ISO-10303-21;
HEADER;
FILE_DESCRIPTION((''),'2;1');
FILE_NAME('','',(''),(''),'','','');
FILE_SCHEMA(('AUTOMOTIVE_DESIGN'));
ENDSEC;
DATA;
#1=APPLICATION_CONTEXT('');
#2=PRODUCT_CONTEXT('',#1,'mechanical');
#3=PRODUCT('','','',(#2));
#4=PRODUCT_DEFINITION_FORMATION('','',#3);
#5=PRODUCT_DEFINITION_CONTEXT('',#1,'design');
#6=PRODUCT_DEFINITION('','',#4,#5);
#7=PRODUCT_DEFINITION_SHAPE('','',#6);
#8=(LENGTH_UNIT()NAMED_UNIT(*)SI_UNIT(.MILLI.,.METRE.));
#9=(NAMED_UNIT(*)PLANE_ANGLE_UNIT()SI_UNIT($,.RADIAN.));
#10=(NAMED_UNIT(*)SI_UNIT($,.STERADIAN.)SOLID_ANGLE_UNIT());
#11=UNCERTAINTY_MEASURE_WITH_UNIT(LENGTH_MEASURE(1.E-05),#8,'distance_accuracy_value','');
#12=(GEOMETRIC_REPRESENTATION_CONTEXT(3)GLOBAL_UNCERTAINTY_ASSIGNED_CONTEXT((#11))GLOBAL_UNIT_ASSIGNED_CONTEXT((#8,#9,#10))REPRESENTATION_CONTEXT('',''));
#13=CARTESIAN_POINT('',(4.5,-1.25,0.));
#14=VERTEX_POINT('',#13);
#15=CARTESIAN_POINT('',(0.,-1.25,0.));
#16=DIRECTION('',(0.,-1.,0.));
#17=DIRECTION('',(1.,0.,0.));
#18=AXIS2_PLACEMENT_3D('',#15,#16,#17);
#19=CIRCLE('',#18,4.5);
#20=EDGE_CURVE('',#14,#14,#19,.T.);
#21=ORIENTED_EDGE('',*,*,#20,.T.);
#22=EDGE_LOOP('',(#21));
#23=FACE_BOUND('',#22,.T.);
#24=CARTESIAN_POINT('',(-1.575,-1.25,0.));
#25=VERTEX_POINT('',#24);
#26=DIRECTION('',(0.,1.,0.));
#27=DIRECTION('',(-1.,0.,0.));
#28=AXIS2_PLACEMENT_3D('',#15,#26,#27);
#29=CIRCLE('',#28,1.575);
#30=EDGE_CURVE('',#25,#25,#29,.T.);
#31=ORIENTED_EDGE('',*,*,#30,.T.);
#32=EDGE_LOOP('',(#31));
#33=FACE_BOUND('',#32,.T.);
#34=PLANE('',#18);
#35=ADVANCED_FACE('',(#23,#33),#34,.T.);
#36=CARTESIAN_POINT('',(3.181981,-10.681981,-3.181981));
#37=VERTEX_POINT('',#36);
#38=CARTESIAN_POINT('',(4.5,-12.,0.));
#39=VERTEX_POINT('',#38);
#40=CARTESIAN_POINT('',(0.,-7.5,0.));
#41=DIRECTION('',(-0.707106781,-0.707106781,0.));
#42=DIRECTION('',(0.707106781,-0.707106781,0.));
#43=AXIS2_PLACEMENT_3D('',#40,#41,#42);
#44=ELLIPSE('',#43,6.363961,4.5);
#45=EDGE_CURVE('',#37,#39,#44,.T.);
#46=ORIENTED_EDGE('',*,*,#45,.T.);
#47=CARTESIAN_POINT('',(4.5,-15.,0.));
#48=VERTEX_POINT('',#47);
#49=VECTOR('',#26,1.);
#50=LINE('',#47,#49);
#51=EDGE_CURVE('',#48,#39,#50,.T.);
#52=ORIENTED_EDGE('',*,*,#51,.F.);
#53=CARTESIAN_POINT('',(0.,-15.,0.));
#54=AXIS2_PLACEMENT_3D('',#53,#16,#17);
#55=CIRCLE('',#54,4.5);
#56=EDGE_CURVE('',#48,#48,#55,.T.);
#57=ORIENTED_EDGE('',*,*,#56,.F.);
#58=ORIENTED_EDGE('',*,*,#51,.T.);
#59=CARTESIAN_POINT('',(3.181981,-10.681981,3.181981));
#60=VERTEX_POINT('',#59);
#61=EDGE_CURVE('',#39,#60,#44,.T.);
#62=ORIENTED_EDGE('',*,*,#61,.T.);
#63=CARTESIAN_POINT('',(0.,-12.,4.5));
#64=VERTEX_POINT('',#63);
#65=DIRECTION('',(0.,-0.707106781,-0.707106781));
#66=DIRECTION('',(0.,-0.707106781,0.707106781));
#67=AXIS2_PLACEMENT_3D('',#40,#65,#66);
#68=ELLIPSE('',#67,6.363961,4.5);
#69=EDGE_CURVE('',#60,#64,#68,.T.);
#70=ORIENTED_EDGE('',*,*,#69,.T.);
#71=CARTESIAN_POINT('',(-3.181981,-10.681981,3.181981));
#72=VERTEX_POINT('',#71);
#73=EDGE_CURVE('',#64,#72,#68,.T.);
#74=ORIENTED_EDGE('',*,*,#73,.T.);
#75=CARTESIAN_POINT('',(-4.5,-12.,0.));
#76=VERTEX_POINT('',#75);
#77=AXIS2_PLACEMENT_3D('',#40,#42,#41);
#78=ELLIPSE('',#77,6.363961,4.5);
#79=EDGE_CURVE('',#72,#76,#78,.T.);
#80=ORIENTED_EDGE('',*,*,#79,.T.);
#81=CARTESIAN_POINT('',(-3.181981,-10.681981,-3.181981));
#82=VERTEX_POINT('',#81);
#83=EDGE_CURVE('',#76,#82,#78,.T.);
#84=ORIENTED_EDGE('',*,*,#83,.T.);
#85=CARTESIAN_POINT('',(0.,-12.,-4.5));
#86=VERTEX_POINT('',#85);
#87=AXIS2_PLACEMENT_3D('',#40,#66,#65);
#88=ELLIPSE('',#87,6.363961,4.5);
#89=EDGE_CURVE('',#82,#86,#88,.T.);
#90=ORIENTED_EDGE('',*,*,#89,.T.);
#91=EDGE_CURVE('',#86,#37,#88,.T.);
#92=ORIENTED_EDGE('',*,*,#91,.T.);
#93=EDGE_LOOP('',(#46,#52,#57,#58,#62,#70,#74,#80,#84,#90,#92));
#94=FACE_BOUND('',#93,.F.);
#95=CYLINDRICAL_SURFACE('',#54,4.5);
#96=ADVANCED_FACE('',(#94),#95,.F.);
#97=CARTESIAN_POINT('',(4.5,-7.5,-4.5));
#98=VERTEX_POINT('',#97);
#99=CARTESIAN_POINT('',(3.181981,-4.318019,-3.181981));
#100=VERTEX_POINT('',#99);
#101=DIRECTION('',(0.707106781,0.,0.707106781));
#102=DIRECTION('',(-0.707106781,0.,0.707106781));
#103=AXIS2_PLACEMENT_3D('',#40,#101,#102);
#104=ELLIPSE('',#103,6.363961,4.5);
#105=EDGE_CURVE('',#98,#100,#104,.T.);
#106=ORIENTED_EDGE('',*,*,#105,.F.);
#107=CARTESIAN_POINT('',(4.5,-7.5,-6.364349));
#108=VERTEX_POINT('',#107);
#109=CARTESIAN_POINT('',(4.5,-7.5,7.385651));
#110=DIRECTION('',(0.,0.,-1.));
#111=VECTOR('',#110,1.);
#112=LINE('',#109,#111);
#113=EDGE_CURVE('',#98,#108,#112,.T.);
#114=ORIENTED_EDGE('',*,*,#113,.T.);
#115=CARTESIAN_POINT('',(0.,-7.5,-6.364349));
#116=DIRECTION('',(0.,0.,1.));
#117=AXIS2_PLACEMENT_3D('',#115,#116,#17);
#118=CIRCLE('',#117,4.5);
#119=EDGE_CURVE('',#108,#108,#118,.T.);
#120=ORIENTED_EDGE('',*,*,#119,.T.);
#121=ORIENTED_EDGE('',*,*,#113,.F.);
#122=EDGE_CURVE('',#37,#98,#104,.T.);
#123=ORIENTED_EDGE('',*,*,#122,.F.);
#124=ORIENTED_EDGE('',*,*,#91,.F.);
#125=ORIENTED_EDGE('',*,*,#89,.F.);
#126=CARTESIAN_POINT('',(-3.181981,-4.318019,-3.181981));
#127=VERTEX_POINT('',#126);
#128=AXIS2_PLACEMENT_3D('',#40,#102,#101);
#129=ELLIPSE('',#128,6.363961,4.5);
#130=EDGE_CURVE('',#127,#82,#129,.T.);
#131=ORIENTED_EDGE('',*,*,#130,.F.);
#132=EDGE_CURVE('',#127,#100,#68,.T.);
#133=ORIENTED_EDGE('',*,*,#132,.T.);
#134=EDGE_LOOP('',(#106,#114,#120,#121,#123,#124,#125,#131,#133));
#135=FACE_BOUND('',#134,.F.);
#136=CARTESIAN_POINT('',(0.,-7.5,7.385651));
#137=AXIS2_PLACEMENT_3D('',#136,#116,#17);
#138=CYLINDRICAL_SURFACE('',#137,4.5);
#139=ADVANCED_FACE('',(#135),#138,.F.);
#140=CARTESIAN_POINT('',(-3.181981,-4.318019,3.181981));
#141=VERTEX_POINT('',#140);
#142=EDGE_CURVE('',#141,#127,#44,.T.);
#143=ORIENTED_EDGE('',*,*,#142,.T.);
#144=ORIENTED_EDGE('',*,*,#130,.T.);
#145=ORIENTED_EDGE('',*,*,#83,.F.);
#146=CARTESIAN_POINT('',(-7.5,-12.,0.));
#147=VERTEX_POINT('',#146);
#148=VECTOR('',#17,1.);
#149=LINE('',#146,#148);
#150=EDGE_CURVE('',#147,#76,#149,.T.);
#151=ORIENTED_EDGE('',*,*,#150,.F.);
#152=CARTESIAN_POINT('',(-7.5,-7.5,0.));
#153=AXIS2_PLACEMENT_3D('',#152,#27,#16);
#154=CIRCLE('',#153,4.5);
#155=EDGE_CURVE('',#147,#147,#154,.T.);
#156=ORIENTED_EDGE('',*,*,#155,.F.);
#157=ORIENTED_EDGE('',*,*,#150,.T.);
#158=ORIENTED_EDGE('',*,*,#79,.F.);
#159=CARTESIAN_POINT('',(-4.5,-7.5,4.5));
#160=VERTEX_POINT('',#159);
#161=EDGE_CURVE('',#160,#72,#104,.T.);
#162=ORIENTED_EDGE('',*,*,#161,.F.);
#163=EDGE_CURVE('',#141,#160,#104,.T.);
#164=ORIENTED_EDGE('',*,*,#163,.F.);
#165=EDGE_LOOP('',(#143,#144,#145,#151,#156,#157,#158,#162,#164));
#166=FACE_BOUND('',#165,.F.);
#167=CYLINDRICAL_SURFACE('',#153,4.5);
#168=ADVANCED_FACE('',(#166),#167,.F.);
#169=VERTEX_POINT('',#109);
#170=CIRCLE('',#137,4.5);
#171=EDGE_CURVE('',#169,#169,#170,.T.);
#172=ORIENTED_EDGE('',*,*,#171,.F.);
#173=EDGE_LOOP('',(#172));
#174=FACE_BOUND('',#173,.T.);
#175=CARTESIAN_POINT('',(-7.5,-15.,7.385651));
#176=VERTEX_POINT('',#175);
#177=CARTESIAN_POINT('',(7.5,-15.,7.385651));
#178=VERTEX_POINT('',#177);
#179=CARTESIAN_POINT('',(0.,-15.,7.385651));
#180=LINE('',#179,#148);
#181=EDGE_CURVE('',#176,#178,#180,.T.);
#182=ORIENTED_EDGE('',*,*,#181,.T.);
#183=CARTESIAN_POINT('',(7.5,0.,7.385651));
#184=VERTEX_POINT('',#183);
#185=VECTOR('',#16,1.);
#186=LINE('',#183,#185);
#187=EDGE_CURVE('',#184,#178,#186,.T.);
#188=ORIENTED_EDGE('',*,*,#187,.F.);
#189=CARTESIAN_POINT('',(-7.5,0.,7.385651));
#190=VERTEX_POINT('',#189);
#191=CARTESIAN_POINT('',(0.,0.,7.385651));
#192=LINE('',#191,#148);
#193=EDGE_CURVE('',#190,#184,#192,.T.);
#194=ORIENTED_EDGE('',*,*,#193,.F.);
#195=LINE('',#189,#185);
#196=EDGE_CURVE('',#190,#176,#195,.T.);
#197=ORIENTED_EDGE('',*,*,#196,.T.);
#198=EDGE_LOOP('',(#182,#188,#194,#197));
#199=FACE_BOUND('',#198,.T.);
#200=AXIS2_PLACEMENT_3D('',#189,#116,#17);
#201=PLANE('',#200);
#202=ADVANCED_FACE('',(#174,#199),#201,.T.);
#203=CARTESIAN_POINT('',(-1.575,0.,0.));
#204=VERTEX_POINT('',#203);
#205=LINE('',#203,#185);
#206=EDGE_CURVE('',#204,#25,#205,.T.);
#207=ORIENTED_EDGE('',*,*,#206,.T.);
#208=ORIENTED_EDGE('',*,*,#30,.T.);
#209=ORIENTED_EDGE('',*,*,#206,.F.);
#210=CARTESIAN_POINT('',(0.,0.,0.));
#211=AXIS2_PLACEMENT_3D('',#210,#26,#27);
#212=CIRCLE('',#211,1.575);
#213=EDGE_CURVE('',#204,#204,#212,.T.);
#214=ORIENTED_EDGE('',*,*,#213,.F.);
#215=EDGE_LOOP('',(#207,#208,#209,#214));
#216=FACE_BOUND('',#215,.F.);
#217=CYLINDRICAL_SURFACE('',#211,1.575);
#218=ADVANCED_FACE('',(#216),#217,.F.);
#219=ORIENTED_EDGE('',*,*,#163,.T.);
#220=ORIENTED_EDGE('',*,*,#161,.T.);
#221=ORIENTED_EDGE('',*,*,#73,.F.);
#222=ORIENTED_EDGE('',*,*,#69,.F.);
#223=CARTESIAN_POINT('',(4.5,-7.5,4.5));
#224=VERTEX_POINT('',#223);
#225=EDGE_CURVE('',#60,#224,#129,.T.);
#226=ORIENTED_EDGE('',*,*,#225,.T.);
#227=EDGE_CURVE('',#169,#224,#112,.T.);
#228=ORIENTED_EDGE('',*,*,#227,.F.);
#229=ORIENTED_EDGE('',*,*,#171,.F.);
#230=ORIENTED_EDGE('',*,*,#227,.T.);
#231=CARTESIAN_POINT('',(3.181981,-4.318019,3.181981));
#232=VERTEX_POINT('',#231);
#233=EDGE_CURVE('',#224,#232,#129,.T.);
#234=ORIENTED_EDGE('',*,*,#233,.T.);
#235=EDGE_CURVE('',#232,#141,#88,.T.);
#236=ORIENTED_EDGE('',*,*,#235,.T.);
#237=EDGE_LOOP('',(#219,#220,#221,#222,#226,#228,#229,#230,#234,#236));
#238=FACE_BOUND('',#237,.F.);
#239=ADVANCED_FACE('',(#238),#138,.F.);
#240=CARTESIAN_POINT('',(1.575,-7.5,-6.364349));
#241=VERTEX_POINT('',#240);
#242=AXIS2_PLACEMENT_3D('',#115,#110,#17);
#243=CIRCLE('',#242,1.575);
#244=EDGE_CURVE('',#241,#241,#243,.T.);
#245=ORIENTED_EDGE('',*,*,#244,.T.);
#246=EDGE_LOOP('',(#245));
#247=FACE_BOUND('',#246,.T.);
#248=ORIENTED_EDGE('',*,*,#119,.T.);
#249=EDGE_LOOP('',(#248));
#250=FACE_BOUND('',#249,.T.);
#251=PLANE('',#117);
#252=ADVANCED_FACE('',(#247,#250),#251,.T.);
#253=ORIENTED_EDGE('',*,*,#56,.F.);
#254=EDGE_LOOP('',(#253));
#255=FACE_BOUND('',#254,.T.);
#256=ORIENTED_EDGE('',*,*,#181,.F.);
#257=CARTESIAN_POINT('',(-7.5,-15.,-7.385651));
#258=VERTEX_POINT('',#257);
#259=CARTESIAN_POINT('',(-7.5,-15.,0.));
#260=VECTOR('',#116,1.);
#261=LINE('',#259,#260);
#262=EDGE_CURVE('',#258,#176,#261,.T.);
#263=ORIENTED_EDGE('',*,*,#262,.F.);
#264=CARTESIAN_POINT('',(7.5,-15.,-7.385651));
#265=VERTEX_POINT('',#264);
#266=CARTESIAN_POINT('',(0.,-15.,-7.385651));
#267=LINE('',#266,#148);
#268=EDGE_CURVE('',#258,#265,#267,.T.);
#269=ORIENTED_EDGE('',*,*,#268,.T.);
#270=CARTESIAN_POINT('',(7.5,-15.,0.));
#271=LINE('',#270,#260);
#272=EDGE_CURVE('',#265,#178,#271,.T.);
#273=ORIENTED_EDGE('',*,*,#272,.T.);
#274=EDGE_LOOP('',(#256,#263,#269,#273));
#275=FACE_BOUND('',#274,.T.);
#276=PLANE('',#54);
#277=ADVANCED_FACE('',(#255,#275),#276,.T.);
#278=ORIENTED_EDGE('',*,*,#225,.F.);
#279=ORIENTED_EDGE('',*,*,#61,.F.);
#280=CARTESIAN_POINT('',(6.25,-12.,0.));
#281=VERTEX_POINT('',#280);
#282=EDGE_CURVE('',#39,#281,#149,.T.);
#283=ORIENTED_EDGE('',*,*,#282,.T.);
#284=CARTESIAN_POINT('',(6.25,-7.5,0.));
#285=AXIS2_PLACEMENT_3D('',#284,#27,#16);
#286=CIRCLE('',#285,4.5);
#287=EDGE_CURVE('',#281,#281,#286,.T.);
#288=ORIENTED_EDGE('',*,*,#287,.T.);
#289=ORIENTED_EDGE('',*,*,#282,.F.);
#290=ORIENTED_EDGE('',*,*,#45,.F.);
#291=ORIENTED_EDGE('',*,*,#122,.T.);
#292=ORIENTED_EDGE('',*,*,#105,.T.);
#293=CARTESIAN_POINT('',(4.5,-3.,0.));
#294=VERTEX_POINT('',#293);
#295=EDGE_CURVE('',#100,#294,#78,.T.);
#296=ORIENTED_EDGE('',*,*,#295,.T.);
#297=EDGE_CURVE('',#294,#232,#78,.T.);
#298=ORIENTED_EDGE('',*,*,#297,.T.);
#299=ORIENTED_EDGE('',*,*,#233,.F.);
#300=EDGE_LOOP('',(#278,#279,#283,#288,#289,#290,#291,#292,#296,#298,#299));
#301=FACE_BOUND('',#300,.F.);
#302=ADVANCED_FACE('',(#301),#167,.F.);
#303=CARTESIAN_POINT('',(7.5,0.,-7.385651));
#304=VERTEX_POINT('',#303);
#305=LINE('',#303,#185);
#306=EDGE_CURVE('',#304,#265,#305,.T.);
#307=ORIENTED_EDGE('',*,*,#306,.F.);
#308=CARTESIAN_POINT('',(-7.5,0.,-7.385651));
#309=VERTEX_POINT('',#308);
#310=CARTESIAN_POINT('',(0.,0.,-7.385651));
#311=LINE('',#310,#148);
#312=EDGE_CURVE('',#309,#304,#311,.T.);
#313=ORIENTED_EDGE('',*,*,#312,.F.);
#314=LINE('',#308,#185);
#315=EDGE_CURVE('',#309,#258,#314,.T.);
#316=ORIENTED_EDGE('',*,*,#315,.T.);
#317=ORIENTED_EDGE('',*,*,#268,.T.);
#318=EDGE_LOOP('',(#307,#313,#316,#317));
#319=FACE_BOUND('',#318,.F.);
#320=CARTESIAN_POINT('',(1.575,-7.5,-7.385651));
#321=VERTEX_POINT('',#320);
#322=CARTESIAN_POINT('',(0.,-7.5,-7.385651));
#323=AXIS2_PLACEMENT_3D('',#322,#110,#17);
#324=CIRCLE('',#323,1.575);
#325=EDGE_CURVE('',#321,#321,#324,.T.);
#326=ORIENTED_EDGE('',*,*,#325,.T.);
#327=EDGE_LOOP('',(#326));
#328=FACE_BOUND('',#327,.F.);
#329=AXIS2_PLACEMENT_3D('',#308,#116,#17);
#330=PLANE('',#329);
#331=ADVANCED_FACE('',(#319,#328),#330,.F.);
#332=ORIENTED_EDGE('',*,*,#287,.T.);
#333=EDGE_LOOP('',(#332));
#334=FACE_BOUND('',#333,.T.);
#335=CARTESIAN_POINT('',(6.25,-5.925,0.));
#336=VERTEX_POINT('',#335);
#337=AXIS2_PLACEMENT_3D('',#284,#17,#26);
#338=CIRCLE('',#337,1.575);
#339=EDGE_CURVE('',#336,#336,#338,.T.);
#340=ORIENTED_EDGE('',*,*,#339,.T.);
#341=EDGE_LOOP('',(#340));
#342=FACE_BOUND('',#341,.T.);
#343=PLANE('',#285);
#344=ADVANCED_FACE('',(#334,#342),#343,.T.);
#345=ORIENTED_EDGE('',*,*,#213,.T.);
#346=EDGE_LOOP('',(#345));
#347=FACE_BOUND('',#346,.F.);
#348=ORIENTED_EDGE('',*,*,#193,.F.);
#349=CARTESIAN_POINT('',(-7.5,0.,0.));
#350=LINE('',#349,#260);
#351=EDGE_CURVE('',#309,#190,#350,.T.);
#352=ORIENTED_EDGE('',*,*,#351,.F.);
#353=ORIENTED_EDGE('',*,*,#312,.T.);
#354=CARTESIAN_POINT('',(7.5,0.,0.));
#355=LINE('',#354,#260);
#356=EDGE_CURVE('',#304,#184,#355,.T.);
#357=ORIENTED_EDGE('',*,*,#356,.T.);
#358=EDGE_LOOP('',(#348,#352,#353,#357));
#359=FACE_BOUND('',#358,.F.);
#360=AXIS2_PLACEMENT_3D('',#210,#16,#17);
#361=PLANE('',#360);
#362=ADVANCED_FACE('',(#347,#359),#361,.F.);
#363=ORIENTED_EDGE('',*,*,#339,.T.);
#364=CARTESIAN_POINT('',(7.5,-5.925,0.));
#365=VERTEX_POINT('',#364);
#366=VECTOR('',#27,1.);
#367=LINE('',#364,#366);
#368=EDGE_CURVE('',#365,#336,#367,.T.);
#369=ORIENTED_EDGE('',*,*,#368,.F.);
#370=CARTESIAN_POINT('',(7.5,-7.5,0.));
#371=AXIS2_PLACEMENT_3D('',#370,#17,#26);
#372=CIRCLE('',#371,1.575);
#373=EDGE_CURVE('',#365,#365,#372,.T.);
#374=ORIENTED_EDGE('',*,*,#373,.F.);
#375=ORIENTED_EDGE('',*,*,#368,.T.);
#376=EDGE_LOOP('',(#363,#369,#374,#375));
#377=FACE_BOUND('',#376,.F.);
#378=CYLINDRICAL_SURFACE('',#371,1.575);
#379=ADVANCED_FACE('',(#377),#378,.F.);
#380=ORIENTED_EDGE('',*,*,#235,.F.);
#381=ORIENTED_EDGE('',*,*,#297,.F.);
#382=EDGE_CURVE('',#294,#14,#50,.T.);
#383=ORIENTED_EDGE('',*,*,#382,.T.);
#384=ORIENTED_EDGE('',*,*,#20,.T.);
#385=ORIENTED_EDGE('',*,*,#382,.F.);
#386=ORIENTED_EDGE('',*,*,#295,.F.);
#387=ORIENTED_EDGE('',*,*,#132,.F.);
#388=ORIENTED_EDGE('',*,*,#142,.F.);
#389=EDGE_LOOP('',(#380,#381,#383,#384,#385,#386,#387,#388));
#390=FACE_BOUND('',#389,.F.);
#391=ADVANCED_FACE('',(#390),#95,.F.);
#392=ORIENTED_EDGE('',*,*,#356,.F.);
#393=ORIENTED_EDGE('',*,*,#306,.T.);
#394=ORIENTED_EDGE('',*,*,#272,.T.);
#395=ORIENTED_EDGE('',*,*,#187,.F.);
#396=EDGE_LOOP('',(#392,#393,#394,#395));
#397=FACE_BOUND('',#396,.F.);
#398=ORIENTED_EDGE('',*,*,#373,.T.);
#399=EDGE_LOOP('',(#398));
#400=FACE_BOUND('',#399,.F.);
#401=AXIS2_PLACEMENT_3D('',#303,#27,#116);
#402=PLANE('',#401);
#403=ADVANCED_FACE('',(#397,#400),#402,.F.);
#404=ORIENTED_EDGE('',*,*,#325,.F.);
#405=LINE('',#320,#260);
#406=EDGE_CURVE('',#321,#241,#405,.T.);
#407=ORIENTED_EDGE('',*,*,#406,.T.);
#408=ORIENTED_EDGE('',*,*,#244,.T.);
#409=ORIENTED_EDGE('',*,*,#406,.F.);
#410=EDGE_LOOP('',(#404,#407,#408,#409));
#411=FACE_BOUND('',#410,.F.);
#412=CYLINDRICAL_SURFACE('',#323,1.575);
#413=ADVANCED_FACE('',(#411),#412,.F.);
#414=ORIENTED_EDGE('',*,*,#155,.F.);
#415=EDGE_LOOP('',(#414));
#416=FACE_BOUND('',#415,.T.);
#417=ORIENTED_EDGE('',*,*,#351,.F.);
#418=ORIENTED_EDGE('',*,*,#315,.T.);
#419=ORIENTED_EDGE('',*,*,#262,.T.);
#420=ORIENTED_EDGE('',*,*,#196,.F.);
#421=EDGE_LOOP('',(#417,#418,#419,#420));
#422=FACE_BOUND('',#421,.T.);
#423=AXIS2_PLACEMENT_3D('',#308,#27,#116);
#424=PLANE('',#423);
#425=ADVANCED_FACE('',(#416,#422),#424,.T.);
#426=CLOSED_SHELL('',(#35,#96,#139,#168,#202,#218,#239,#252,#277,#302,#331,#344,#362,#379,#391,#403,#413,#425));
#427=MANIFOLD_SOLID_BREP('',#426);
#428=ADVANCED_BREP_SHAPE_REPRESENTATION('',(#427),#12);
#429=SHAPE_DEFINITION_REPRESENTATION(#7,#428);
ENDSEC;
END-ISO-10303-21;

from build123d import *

# Parameters (mm, degrees)
F0_W      = 15
F0_H      = 14.771302
F1_DEPTH  = 15
F2_R      = 4.5
F3_DEPTH  = 13.75
F4_R      = 4.5
F5_DEPTH  = 13.75
F6_R      = 4.5
F7_DEPTH  = 13.75
F8_R      = 1.575
F9_DEPTH  = 15.001
F10_R     = 1.575
F11_DEPTH = 14.772302
F12_R     = 1.575
F13_DEPTH = 15.001


with BuildPart() as f1:
    # F0 (on Front) → F1 (new body)
    with BuildSketch(Plane.XZ):
        Rectangle(F0_W, F0_H)
    extrude(amount=F1_DEPTH)

    # F2 (on face) → F3 (cut)
    with BuildSketch(Plane.XZ.offset(15)):
        Circle(F2_R)
    extrude(amount=-F3_DEPTH, mode=Mode.SUBTRACT)

    # F4 (on face) → F5 (cut)
    with BuildSketch(Plane.XY.offset(7.385651)):
        with Locations((0, -7.5)):
            Circle(F4_R)
    extrude(amount=-F5_DEPTH, mode=Mode.SUBTRACT)

    # F6 (on face) → F7 (cut)
    with BuildSketch(Plane(origin=(-7.5, 0, 0), x_dir=(0, -1, 0), z_dir=(-1, 0, 0))):
        with Locations((7.5, 0)):
            Circle(F6_R)
    extrude(amount=-F7_DEPTH, mode=Mode.SUBTRACT)

    # F8 (on face) → F9 (cut, through all)
    with BuildSketch(Plane(origin=(0, 0, 0), x_dir=(-1, 0, 0), z_dir=(0, 1, 0))):
        Circle(F8_R)
    extrude(amount=-F9_DEPTH, mode=Mode.SUBTRACT)

    # F10 (on face) → F11 (cut, through all)
    with BuildSketch(Plane(origin=(0, 0, -7.385651), x_dir=(1, 0, 0), z_dir=(0, 0, -1))):
        with Locations((0, 7.5)):
            Circle(F10_R)
    extrude(amount=-F11_DEPTH, mode=Mode.SUBTRACT)

    # F12 (on face) → F13 (cut, through all)
    with BuildSketch(Plane.YZ.offset(7.5)):
        with Locations((-7.5, 0)):
            Circle(F12_R)
    extrude(amount=-F13_DEPTH, mode=Mode.SUBTRACT)


solid = f1.part
